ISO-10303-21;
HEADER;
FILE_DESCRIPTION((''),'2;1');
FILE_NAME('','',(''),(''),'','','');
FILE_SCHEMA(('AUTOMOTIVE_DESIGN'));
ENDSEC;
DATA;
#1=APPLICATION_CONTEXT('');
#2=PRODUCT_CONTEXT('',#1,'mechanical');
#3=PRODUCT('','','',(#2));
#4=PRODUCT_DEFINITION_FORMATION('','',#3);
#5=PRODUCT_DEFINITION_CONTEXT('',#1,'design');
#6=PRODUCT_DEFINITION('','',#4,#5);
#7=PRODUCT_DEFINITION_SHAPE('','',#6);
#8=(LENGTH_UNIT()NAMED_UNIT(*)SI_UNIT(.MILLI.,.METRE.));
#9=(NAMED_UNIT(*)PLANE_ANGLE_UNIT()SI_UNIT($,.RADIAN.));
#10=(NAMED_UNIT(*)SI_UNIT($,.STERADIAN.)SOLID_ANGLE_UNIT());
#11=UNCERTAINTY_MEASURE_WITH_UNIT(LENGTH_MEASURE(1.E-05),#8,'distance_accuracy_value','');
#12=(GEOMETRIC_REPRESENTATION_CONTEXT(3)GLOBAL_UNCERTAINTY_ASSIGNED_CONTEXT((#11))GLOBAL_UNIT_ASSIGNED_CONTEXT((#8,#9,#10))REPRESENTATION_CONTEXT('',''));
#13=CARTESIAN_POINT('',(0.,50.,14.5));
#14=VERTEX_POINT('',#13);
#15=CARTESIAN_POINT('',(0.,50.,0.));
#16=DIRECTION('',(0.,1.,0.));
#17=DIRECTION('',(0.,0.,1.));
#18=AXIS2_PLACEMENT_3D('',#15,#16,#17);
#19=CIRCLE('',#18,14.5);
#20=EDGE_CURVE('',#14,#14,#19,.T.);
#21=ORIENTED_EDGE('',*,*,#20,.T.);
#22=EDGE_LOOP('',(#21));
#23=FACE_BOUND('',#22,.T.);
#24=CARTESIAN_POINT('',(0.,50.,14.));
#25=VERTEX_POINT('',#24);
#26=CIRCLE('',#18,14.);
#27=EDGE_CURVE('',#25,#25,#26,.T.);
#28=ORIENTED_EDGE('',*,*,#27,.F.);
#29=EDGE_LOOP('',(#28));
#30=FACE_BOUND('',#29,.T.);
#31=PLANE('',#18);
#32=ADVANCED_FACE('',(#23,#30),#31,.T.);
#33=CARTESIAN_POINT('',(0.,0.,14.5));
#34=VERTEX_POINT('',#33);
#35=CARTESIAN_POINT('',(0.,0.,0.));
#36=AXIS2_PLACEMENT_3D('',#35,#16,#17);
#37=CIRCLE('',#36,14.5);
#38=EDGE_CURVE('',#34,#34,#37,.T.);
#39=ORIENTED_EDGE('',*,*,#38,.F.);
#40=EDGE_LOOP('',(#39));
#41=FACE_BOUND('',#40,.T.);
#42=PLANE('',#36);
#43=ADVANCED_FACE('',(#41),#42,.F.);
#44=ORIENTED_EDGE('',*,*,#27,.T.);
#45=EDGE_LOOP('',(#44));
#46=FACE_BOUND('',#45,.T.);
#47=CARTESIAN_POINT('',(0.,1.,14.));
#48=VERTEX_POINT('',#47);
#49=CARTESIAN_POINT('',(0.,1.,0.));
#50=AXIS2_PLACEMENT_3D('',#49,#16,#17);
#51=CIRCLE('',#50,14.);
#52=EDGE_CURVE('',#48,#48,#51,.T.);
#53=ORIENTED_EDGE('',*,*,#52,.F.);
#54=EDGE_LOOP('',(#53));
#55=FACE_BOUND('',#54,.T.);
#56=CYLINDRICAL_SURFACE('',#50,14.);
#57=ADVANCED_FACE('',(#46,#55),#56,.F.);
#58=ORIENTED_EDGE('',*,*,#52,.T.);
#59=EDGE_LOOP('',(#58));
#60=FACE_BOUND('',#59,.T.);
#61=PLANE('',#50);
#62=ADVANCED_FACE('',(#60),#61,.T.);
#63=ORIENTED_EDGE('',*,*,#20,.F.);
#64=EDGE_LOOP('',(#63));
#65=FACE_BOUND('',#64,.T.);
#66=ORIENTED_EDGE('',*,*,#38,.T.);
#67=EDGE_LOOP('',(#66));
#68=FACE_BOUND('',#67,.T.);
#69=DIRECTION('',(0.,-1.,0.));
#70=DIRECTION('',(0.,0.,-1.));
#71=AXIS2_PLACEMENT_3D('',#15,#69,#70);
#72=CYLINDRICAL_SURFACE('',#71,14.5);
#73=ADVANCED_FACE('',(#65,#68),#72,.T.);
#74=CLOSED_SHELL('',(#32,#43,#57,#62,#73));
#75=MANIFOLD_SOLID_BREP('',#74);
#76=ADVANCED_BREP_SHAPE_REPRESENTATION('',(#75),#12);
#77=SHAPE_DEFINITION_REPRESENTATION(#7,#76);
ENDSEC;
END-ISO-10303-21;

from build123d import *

# Parameters (mm, degrees)
SKETCH_1_R          = 14.5
EXTRUDE_1_DEPTH     = 50
SKETCH_2_R          = 14
CUT_EXTRUDE_1_DEPTH = 49


with BuildPart() as part:
    # Эскиз1 → Бобышка-Вытянуть1 (new body)
    with BuildSketch(Plane(origin=(0, 0, 0), x_dir=(1, 0, 0), z_dir=(0, 1, 0))):
        Circle(SKETCH_1_R)
    extrude(amount=EXTRUDE_1_DEPTH)

    # Эскиз2 → Вырез-Вытянуть1 (cut)
    with BuildSketch(Plane(origin=(0, 50, 0), x_dir=(1, 0, 0), z_dir=(0, 1, 0))):
        Circle(SKETCH_2_R)
    extrude(amount=-CUT_EXTRUDE_1_DEPTH, mode=Mode.SUBTRACT)


solid = part.part
